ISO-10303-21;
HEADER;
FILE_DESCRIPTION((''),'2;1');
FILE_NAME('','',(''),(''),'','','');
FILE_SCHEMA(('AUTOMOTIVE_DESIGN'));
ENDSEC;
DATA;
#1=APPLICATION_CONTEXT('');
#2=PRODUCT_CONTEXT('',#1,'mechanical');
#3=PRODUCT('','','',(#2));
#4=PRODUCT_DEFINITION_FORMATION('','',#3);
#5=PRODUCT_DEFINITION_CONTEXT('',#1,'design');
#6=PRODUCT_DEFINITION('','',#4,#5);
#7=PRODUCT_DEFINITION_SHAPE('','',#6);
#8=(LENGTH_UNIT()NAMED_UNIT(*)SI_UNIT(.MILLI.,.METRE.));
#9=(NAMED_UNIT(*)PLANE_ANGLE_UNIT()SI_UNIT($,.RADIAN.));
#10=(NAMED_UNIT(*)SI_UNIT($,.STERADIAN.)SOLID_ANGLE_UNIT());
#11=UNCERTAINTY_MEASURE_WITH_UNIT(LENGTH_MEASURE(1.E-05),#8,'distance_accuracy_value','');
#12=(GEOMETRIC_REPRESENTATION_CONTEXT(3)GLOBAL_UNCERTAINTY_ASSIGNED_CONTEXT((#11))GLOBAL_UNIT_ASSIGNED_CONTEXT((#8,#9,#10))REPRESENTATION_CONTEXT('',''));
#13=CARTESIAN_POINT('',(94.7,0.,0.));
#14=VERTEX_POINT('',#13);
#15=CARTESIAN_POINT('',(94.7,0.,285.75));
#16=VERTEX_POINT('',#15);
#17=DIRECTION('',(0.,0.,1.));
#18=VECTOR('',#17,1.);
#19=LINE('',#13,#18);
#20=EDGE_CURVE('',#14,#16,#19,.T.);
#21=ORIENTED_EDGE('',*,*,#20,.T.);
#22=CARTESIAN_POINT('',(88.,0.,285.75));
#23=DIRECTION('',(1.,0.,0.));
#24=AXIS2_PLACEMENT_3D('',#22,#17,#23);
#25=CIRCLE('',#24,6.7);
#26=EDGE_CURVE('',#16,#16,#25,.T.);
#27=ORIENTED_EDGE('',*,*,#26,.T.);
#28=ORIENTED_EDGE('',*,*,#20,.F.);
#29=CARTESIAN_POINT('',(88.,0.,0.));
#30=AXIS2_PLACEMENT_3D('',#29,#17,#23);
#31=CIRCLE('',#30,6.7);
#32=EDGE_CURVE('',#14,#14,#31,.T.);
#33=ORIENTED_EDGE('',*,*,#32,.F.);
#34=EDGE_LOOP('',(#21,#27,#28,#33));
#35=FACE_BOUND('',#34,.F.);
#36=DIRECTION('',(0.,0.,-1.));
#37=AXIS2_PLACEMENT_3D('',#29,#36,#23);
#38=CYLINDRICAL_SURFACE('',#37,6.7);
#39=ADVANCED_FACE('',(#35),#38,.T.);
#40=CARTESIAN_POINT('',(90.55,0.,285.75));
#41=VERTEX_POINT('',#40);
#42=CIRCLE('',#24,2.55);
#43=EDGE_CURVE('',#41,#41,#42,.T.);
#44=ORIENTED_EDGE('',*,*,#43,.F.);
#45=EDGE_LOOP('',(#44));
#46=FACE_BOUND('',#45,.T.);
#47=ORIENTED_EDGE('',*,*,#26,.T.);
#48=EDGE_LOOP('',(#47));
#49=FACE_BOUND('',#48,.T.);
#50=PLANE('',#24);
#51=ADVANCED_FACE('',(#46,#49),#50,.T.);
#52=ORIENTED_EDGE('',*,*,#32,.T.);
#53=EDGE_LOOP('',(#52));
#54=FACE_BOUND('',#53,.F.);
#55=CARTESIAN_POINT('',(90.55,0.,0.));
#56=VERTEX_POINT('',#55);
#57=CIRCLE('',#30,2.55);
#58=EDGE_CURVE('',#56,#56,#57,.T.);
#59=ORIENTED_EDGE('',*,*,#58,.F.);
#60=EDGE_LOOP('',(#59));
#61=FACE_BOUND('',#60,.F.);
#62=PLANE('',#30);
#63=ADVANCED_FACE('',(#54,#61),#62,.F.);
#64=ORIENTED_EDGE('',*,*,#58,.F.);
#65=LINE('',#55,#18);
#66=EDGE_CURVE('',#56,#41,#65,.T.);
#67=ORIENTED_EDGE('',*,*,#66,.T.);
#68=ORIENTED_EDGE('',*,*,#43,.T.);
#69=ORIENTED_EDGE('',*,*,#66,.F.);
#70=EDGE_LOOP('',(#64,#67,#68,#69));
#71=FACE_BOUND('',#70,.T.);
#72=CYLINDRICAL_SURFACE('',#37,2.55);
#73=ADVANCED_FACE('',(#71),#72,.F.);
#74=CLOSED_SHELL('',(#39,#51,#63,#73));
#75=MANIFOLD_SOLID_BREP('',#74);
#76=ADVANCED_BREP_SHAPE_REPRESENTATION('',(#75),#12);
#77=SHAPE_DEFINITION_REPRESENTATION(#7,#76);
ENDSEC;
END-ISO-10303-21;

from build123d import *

# Parameters (mm, degrees)
SKETCH_R   = 6.7
SKETCH_R_2 = 2.55
PAD_DEPTH  = 285.75


with BuildPart() as part:
    # Sketch → Pad (new body)
    with BuildSketch(Plane.XY):
        Circle(SKETCH_R)
        Circle(SKETCH_R_2, mode=Mode.SUBTRACT)
    extrude(amount=PAD_DEPTH)


with BuildPart() as part_1:
    # Body placement: moved
    add(part.part.moved(Location((88, 0, 0))))


solid = part_1.part
